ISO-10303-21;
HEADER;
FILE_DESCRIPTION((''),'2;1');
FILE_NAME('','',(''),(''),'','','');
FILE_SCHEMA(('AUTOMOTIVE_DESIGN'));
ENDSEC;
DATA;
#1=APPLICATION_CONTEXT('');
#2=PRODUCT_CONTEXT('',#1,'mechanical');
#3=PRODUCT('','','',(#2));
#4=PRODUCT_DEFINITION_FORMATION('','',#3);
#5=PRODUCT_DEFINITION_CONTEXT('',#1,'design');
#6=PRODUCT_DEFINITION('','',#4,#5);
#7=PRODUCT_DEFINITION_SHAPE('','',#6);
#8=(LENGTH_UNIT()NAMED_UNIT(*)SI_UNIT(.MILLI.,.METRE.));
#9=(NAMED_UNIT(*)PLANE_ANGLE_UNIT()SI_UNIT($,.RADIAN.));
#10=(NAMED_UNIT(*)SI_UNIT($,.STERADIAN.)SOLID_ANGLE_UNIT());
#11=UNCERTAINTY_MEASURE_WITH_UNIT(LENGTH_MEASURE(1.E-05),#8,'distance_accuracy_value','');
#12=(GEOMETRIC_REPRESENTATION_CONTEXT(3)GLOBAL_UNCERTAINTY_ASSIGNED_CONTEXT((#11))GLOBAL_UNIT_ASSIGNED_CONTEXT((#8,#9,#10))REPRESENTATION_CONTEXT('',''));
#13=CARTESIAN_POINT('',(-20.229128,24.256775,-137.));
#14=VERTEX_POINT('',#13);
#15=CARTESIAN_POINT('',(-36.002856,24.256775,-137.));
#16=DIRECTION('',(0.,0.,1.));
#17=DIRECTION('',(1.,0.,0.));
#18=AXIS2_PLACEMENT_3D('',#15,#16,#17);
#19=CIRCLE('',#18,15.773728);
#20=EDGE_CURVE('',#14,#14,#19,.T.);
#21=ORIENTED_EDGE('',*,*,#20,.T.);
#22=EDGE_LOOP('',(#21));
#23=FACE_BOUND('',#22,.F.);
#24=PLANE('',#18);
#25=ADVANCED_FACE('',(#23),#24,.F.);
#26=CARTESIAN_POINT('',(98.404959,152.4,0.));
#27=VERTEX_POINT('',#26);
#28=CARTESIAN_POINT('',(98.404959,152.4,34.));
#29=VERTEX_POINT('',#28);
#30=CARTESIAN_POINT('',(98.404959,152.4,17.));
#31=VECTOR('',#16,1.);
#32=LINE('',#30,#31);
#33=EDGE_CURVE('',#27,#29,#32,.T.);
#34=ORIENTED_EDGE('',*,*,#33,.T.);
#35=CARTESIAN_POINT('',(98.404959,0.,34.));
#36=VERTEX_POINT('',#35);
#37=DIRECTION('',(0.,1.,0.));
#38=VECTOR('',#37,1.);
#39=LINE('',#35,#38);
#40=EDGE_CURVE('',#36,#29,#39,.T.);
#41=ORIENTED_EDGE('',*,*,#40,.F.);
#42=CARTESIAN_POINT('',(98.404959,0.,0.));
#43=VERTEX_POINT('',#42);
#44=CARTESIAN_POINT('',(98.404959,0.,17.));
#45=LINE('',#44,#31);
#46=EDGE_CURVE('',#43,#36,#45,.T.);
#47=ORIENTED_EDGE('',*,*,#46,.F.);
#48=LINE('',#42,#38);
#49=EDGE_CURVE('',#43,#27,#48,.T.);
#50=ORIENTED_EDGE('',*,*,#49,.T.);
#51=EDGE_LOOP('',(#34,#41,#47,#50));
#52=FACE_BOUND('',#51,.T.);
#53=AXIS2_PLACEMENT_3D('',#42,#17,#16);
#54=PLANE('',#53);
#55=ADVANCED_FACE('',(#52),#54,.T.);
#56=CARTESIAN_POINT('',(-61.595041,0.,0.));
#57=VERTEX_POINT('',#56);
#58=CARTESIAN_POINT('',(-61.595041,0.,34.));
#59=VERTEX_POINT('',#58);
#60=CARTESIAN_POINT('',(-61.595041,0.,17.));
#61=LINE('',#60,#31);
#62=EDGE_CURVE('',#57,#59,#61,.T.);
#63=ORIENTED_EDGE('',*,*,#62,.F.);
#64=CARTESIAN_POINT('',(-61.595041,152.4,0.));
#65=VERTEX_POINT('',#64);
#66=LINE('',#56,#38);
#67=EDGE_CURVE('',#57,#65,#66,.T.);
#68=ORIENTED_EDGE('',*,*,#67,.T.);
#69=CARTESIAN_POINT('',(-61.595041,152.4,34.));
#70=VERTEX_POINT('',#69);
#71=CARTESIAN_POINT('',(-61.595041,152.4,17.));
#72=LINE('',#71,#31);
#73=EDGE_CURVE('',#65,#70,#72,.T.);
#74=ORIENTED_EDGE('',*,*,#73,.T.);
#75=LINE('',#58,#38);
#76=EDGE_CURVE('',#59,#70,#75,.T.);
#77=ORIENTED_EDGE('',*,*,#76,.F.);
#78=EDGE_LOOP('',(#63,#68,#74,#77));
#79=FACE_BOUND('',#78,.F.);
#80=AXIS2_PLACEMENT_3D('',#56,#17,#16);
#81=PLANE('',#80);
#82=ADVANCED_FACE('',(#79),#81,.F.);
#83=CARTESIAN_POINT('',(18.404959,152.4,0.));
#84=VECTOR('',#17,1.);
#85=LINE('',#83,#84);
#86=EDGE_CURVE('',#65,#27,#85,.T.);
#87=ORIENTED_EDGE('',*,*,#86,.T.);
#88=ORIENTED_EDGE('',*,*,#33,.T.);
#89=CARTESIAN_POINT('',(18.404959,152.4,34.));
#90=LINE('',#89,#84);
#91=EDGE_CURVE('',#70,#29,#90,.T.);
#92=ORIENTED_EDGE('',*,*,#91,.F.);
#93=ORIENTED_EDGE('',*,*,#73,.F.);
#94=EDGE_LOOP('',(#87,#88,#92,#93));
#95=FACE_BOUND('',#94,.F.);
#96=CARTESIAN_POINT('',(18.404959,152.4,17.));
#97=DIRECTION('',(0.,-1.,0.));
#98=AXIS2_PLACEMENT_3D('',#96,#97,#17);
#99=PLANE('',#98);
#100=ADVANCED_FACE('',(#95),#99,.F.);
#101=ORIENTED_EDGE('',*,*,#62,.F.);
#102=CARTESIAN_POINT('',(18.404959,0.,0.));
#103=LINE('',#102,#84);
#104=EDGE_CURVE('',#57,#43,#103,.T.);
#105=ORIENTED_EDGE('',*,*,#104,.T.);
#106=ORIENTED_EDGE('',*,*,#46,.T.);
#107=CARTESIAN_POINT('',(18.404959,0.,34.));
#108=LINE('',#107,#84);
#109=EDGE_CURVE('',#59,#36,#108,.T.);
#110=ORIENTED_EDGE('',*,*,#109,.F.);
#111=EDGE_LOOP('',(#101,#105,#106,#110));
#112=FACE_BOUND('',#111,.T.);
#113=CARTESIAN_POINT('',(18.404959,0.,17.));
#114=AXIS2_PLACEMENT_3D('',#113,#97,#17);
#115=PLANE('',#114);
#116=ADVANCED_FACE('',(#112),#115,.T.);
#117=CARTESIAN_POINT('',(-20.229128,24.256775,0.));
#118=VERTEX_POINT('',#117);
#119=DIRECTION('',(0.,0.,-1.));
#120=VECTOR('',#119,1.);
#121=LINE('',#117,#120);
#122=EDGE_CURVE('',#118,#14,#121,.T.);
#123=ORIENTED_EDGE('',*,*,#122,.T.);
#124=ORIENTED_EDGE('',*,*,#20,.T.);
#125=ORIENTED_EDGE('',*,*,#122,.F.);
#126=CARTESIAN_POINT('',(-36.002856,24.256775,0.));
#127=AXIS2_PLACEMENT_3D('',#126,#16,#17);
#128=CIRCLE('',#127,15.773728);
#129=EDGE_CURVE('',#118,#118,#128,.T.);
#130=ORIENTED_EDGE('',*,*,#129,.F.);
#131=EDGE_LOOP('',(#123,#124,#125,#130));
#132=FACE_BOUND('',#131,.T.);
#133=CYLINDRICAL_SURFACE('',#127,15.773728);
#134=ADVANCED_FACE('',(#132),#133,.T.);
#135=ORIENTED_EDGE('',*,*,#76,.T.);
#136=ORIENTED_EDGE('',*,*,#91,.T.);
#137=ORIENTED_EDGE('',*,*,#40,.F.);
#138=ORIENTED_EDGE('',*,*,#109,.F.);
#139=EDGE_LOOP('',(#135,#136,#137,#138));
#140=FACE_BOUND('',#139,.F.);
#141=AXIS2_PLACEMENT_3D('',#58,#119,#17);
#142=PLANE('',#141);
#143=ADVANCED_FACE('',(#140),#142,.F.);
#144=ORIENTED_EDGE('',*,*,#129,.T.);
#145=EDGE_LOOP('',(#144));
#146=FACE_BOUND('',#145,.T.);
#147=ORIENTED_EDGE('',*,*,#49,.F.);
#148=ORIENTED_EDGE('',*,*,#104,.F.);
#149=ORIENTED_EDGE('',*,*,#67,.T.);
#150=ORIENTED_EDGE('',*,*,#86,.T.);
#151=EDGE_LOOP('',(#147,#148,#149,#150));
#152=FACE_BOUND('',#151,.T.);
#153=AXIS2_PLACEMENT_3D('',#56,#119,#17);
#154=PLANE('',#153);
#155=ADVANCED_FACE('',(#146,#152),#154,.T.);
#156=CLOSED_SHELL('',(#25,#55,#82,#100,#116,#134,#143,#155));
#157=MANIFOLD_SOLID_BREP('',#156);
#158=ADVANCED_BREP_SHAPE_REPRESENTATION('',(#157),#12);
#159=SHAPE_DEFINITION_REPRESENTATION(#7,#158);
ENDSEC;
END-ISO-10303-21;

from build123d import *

# Parameters (mm, degrees)
F0_W     = 160
F0_H     = 34
F1_DEPTH = 152.4
F2_R     = 15.773728
F3_DEPTH = 137


with BuildPart() as f1:
    # F0 (on Front) → F1 (new body)
    with BuildSketch(Plane.XZ):
        with Locations((18.404959, 17)):
            Rectangle(F0_W, F0_H)
    extrude(amount=-F1_DEPTH)

    # F2 (on Top) → F3 (join)
    with BuildSketch(Plane.XY):
        with Locations((-36.002856, 24.256775)):
            Circle(F2_R)
    extrude(amount=-F3_DEPTH)


solid = f1.part
